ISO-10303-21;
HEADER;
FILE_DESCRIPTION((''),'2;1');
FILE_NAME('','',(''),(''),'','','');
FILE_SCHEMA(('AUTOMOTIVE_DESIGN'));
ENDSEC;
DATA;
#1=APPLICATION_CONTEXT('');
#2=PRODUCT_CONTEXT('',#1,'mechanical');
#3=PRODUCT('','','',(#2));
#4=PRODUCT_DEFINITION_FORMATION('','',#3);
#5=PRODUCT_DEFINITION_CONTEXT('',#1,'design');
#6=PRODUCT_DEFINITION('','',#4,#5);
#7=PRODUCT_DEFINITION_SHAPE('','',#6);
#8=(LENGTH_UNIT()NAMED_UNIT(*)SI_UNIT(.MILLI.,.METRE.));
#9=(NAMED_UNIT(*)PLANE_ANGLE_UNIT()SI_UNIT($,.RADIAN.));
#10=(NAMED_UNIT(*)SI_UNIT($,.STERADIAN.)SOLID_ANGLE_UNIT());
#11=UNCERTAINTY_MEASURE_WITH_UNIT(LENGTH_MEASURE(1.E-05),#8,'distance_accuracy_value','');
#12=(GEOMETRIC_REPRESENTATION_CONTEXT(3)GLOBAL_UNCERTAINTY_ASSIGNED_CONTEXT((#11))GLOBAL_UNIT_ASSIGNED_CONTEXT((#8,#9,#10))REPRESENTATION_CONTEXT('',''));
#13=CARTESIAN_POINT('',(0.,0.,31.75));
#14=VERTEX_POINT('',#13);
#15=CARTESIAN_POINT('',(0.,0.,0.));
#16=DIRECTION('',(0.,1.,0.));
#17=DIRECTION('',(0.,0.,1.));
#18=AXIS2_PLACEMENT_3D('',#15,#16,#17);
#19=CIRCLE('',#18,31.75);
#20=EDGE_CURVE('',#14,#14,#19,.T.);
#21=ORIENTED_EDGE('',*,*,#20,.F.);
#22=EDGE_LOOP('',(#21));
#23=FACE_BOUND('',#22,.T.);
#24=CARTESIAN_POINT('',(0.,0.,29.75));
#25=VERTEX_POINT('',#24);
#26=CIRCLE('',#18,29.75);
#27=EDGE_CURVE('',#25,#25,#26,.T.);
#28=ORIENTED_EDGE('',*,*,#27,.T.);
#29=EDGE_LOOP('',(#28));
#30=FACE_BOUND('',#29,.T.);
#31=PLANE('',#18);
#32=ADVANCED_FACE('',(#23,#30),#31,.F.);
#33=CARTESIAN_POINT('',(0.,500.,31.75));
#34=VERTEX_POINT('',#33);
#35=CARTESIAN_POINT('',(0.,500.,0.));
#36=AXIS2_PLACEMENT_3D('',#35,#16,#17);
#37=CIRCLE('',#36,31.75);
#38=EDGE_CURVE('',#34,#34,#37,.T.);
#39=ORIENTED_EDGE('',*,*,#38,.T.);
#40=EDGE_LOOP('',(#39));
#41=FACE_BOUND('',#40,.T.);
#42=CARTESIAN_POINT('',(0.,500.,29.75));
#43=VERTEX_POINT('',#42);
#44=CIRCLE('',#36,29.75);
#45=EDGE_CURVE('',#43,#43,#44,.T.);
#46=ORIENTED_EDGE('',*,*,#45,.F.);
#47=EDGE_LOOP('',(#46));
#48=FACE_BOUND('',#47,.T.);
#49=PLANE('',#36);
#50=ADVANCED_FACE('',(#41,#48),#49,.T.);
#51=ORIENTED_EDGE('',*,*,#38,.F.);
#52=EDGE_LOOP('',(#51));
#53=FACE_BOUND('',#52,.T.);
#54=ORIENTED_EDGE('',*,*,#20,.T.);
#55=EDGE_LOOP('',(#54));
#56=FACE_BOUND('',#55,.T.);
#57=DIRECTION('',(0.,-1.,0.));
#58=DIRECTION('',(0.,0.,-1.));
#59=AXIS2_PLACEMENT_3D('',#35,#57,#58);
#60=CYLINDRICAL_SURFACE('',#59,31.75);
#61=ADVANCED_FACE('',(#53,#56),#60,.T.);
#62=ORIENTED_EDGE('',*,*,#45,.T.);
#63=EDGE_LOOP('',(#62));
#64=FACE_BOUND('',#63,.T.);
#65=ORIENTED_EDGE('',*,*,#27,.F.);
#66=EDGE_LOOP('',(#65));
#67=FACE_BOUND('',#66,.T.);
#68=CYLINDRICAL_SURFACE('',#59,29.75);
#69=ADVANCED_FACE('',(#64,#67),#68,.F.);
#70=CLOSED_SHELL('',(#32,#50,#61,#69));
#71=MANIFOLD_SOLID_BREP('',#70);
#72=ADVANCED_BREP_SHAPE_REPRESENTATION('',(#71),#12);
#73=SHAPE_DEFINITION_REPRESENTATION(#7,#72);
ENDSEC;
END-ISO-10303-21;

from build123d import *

# Parameters (mm, degrees)
SKETCH1_R           = 31.75
SKETCH1_R_2         = 29.75
BOSS_EXTRUDE1_DEPTH = 500


with BuildPart() as part:
    # Sketch1 → Boss-Extrude1 (new body)
    with BuildSketch(Plane(origin=(0, 0, 0), x_dir=(1, 0, 0), z_dir=(0, 1, 0))):
        with Locations(Location((0, 0, 0), (0, 0, 270))):
            Circle(SKETCH1_R)
        with Locations(Location((0, 0, 0), (0, 0, 270))):
            Circle(SKETCH1_R_2, mode=Mode.SUBTRACT)
    extrude(amount=BOSS_EXTRUDE1_DEPTH)


solid = part.part
